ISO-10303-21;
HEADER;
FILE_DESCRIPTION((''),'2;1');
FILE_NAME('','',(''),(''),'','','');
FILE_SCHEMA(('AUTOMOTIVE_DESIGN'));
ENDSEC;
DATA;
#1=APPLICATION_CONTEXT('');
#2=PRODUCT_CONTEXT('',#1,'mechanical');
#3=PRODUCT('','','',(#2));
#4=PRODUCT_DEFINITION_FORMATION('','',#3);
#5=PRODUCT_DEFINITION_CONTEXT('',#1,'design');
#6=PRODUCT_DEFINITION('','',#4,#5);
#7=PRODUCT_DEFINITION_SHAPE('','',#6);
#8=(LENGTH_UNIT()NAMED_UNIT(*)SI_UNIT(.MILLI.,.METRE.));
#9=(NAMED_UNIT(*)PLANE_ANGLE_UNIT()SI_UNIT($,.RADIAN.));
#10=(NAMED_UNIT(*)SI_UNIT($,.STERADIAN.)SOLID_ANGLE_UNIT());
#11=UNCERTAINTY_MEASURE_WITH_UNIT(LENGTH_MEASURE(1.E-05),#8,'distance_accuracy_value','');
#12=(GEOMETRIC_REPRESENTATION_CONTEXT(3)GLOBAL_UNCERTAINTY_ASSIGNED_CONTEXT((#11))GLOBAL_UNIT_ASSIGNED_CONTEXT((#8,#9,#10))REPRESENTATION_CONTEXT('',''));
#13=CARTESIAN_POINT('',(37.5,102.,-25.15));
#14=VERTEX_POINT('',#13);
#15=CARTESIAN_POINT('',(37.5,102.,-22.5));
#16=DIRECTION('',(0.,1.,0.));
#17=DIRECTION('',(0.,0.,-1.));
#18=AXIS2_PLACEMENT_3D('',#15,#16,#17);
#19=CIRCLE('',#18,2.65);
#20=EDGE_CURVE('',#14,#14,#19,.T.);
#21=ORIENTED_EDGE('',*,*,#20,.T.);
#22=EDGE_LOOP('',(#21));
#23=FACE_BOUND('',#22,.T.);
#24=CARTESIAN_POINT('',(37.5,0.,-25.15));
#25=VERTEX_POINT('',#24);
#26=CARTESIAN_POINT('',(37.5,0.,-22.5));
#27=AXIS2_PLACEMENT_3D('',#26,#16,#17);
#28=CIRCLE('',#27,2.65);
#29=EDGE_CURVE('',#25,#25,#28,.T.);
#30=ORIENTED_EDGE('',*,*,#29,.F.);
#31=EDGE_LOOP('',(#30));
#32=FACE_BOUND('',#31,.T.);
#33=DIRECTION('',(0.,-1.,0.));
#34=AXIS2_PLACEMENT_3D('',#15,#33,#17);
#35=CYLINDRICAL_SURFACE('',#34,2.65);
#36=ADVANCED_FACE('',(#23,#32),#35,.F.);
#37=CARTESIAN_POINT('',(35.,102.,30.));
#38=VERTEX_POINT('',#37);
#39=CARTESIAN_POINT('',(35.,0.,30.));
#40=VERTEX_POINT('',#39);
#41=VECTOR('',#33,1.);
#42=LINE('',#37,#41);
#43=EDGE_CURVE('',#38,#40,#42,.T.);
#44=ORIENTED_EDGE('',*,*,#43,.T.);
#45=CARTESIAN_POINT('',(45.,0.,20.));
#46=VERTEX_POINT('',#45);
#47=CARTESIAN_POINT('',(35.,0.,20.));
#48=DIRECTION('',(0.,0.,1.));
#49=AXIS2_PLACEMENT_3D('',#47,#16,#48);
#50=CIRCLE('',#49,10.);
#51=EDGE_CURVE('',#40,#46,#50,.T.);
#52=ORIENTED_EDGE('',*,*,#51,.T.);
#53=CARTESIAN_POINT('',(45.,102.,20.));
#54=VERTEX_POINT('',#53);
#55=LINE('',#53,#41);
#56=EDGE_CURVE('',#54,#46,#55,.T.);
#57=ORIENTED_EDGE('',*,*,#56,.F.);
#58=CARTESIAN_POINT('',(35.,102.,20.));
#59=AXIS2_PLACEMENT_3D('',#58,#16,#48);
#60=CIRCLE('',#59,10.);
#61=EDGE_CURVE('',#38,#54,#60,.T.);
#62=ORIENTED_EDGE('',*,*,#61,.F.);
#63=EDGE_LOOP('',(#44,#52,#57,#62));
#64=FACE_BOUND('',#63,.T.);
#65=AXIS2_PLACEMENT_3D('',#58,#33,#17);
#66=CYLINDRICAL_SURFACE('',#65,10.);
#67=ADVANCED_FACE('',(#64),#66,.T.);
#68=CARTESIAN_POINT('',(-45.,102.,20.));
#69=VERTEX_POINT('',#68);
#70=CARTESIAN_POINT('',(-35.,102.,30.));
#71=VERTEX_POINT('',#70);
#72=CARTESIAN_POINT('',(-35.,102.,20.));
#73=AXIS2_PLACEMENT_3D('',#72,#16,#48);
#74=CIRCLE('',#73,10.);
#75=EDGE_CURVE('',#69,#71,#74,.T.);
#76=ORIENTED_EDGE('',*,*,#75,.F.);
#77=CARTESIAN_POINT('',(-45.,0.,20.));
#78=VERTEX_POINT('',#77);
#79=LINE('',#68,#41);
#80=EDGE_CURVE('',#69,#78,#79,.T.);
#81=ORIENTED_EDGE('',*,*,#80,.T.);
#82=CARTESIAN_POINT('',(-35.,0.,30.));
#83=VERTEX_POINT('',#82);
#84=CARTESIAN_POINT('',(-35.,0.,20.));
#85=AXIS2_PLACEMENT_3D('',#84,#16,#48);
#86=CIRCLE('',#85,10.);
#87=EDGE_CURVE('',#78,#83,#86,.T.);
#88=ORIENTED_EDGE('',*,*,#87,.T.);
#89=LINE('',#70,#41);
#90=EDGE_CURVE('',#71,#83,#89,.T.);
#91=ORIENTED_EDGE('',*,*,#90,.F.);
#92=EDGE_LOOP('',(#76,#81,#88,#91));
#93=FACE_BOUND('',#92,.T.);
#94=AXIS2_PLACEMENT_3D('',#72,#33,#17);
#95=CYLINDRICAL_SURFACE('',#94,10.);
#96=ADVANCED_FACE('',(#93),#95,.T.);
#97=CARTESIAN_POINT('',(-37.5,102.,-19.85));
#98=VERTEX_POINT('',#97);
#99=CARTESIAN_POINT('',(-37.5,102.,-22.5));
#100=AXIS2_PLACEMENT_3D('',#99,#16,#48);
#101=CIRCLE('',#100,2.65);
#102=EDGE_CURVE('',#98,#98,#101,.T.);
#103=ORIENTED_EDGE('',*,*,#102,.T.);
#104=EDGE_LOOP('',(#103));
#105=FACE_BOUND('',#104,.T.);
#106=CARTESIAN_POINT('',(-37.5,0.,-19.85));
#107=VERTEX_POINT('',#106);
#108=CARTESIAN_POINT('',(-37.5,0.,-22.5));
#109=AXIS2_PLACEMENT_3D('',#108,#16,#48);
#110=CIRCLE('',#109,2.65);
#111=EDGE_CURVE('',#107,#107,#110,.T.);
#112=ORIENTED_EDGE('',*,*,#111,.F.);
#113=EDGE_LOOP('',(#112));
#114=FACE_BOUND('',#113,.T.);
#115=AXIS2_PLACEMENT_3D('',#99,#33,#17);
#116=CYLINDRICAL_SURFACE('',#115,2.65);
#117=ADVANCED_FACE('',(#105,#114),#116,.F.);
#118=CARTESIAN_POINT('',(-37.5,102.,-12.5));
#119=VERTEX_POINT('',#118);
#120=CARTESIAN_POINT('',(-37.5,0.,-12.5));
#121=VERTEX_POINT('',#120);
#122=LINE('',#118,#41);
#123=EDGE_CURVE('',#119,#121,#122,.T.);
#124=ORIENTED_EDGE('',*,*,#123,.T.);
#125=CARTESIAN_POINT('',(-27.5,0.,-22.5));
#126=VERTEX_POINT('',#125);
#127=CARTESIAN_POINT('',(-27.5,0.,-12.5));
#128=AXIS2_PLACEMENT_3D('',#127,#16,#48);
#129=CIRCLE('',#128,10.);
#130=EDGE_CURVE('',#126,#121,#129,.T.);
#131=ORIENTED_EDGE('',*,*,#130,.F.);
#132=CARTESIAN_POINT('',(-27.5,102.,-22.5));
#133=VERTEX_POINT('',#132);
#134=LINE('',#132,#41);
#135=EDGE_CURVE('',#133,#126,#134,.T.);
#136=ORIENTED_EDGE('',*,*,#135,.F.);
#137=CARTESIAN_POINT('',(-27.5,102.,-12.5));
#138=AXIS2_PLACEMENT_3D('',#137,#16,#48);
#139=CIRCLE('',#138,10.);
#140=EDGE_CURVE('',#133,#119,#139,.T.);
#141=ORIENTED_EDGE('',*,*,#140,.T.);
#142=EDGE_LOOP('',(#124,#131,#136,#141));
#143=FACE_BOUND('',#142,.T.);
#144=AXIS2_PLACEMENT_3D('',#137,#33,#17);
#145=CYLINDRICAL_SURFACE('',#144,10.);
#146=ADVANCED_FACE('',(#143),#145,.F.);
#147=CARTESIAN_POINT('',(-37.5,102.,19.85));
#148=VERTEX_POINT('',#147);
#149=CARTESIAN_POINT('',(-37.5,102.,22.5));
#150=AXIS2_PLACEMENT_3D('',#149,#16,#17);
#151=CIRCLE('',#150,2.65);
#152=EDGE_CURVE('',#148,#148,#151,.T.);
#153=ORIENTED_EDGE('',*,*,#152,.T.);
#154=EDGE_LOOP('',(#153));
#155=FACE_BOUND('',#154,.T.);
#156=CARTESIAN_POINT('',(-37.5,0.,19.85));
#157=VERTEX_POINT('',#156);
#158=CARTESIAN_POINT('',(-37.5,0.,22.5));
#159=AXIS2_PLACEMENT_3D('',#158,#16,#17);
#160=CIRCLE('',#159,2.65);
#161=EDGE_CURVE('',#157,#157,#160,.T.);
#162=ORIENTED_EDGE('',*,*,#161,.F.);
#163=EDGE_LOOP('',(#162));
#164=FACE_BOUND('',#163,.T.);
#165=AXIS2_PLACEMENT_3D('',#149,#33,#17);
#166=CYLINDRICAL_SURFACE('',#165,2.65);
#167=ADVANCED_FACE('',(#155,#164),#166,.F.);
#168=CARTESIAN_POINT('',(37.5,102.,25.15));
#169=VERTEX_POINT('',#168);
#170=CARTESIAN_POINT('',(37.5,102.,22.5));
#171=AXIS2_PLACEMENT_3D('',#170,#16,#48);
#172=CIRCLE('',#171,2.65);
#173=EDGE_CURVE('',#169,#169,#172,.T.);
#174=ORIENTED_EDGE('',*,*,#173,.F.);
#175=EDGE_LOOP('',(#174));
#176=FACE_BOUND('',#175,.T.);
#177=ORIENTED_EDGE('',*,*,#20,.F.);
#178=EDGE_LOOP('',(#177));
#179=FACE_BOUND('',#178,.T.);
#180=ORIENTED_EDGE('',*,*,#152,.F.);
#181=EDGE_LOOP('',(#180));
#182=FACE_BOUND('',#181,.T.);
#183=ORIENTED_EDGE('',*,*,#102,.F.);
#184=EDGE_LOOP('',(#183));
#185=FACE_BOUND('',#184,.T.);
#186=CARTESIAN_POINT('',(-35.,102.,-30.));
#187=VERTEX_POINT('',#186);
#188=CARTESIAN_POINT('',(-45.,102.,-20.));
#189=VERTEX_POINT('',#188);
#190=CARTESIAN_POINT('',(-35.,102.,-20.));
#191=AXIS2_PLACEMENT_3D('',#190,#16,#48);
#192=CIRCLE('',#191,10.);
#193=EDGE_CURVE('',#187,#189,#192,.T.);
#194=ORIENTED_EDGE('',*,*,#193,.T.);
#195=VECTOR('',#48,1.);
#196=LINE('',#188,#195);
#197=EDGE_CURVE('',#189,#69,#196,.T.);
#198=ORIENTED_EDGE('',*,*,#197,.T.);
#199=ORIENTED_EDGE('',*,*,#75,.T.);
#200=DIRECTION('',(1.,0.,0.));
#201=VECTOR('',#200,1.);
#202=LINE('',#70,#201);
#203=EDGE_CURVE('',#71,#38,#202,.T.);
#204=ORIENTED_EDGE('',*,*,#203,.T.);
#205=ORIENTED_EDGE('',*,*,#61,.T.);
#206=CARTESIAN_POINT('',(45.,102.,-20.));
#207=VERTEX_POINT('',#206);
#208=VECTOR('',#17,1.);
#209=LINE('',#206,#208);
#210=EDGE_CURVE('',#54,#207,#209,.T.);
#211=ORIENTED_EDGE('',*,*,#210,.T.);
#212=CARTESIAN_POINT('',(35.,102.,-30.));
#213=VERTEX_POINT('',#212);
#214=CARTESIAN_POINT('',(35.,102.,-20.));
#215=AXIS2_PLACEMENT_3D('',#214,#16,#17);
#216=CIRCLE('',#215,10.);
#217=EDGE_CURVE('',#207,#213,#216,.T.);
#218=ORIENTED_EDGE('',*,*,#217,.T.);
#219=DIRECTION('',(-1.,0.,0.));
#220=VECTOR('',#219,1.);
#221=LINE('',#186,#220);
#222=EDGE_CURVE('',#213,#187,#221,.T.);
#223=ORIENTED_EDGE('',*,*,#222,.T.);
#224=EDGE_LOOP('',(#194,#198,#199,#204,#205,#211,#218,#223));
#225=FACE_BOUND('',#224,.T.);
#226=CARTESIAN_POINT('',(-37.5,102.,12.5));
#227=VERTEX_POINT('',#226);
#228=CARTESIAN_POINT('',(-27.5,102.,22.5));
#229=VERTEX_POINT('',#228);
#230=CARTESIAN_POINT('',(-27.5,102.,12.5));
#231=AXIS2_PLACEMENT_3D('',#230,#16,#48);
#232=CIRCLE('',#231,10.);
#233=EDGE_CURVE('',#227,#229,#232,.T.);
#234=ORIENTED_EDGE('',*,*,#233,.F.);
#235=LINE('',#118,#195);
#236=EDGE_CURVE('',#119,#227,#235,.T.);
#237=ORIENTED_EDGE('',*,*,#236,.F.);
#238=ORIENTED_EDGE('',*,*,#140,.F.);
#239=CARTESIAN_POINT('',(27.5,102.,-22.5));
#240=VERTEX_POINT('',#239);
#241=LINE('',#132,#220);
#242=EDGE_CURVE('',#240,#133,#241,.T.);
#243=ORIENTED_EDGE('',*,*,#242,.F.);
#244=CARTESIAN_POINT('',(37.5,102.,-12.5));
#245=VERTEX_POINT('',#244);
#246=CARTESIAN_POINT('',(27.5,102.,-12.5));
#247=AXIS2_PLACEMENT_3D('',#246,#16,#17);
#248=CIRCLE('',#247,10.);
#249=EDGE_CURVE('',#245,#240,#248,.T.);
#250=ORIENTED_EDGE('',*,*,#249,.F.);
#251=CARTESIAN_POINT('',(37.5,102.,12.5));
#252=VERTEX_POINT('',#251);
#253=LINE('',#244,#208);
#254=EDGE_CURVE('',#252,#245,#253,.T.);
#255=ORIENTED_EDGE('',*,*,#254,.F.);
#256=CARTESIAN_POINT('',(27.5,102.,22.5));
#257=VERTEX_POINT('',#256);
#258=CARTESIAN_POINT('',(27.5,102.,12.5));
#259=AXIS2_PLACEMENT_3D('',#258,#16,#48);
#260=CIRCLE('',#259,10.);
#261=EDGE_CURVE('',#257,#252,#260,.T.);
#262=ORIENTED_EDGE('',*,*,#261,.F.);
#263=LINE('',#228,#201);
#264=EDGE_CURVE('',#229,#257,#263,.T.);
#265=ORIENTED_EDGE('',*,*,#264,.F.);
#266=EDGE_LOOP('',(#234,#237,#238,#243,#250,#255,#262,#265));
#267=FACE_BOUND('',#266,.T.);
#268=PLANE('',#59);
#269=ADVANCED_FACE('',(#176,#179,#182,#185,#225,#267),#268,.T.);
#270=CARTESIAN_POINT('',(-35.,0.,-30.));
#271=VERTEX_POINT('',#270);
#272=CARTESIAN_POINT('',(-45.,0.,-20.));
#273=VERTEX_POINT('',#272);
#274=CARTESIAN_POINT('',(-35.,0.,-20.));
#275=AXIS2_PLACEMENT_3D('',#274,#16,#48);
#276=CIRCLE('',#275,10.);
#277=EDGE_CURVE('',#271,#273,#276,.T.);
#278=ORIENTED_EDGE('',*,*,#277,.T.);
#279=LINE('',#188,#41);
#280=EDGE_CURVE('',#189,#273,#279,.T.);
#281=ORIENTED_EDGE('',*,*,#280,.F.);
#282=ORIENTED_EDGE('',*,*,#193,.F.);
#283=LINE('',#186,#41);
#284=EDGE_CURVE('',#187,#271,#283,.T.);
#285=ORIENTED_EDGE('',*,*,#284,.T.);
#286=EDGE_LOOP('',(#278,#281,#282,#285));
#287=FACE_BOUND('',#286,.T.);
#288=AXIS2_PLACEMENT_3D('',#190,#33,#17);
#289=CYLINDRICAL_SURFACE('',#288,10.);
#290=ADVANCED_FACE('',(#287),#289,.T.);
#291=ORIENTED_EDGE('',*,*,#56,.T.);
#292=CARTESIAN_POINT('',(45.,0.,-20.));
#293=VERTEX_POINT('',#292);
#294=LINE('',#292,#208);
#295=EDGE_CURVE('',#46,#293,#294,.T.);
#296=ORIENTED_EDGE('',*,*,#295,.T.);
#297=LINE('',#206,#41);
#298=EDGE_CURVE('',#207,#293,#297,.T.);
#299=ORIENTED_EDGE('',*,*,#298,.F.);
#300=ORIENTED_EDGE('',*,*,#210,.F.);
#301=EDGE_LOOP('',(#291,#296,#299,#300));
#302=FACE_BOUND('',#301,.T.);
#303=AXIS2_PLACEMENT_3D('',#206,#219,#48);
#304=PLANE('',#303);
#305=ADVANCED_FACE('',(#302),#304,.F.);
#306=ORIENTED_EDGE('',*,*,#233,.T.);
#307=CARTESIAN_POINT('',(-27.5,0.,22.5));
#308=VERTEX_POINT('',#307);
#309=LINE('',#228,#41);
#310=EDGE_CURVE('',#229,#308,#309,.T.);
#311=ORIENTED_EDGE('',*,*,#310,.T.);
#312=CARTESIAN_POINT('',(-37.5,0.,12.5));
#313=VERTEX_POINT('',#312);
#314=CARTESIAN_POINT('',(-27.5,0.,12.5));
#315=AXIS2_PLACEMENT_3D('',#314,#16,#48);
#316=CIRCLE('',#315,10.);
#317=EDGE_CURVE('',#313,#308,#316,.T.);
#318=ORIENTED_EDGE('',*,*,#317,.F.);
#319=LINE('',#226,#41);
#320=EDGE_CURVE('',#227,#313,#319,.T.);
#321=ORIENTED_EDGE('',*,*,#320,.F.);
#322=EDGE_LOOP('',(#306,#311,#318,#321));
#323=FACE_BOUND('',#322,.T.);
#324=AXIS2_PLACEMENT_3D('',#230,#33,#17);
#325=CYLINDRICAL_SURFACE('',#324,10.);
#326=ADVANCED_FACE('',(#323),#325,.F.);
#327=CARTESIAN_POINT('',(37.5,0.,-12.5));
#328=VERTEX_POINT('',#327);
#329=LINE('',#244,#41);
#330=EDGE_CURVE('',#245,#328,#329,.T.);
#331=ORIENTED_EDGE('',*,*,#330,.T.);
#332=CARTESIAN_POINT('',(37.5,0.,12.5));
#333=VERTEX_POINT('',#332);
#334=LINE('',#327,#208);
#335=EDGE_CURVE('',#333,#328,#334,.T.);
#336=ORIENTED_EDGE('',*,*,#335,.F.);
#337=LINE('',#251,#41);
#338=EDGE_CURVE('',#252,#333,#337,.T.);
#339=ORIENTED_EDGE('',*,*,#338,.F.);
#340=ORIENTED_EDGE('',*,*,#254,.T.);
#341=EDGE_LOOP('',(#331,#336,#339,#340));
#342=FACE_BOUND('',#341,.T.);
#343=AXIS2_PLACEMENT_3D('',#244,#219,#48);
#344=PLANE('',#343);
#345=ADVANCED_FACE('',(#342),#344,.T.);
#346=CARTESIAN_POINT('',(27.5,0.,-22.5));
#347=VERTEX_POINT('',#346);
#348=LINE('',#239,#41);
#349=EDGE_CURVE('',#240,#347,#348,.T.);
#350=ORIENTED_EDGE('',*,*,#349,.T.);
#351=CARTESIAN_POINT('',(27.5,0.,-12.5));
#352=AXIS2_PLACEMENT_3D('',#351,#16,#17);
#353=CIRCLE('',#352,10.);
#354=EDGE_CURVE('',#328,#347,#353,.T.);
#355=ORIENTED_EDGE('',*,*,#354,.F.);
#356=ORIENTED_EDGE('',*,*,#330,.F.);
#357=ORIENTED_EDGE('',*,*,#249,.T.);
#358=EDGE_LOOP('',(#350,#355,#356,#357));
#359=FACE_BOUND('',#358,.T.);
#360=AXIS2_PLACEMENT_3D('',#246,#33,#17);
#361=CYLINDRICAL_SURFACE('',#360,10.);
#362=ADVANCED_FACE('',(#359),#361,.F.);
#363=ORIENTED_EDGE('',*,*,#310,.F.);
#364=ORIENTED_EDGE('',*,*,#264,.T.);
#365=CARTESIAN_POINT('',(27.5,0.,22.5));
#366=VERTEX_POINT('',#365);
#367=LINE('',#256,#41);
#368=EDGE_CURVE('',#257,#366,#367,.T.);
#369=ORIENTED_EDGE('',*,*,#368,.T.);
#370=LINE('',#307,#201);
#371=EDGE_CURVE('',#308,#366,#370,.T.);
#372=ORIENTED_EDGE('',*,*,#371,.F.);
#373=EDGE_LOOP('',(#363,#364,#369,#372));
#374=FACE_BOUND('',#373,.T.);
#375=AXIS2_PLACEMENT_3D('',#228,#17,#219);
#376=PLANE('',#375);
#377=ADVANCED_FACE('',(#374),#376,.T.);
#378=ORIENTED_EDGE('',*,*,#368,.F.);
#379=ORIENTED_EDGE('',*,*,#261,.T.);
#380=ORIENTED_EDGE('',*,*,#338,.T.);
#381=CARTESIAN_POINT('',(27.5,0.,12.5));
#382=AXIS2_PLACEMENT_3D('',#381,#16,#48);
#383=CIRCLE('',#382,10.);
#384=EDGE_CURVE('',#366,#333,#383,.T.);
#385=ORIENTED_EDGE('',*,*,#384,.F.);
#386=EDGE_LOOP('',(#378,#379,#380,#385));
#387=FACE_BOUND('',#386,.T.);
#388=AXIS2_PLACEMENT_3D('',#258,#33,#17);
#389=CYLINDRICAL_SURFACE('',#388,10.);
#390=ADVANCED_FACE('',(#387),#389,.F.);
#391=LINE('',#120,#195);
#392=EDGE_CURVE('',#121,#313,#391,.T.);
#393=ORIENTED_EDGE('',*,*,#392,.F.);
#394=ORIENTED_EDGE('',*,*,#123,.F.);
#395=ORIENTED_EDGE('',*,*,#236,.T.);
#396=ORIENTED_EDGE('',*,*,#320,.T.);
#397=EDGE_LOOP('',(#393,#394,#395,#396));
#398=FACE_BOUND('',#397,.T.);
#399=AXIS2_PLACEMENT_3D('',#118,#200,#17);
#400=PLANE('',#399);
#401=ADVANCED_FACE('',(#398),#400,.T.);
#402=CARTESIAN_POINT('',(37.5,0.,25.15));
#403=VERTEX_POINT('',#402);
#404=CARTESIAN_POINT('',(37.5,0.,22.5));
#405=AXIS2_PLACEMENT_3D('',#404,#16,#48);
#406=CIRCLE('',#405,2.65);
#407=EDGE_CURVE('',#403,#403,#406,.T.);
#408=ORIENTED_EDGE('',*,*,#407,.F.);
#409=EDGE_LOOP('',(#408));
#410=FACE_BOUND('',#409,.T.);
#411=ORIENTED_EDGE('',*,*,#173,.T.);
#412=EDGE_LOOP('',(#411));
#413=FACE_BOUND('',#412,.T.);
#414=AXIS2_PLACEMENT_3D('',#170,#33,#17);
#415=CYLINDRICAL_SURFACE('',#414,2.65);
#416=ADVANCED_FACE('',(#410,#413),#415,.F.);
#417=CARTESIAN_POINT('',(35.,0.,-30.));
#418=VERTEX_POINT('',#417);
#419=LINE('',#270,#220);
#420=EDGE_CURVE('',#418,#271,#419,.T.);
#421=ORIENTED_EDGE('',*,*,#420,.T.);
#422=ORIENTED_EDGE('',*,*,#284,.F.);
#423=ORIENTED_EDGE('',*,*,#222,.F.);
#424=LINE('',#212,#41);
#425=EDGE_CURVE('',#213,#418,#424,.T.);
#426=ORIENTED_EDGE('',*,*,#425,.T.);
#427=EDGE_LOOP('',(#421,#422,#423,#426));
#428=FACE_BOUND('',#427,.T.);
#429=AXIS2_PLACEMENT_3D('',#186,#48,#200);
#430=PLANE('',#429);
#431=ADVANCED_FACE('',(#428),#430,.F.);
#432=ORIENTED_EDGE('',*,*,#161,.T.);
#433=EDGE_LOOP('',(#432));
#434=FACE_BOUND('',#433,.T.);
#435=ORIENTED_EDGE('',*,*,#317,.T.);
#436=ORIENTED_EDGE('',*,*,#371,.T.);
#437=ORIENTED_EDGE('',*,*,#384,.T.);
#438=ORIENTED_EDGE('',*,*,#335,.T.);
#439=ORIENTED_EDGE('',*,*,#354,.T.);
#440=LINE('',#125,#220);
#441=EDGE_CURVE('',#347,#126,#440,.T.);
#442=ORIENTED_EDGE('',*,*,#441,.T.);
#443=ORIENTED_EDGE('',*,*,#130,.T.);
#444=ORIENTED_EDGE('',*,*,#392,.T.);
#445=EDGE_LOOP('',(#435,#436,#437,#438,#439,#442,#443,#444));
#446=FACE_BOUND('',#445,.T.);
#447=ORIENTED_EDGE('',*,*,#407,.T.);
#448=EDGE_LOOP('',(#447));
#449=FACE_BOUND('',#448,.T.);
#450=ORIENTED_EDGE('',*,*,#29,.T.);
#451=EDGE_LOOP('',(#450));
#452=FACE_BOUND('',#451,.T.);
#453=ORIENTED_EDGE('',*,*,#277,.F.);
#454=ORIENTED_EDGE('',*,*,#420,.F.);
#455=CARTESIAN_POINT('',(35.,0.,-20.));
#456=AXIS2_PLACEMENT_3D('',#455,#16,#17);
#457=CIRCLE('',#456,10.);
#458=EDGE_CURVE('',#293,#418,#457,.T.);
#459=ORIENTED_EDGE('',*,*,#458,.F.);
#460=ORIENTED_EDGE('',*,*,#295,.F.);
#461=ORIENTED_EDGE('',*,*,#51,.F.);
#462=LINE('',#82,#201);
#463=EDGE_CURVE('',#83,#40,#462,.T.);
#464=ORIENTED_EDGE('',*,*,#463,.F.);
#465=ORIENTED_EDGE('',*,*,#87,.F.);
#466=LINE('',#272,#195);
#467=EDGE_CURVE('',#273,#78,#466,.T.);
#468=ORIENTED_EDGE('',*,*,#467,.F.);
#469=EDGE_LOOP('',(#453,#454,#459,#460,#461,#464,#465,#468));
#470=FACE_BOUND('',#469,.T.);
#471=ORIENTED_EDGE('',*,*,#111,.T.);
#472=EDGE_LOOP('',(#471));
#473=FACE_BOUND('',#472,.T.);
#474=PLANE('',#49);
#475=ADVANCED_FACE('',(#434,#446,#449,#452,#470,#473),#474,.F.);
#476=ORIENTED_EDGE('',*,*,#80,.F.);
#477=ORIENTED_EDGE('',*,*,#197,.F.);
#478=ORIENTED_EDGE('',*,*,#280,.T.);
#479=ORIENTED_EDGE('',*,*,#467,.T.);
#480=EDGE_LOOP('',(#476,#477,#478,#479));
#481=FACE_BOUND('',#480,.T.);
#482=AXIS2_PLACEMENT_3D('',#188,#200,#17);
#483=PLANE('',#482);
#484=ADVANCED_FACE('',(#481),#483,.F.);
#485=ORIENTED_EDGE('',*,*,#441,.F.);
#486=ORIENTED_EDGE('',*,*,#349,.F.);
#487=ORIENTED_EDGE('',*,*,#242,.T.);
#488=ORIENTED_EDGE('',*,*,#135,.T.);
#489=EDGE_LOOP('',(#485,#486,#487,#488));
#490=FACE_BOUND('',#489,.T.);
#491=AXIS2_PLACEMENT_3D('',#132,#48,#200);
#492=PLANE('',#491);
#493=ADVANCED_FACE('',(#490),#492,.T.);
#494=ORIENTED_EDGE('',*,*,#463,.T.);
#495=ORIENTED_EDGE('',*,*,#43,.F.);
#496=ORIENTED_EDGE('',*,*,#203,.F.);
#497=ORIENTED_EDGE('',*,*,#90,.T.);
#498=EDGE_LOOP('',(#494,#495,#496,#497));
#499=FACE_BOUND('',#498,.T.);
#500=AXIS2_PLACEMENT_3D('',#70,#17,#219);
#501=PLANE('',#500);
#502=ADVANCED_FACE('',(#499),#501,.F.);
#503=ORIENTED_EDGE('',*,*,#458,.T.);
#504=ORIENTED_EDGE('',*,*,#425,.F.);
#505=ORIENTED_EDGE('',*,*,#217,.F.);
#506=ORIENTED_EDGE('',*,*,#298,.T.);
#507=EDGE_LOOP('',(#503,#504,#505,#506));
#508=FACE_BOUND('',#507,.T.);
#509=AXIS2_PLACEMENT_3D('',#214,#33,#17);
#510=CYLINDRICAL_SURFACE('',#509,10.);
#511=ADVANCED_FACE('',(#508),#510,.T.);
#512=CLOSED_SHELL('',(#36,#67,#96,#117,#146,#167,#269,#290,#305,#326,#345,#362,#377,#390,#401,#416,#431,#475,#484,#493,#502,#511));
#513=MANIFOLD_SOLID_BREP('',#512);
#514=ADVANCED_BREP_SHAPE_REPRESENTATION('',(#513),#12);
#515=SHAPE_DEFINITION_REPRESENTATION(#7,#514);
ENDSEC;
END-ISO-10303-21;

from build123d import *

# Parameters (mm, degrees)
SKETCH_1_R      = 2.65
EXTRUDE_1_DEPTH = 102


with BuildPart() as part:
    # 草图1 → 凸台-拉伸1 (new body)
    with BuildSketch(Plane(origin=(0, 0, 0), x_dir=(1, 0, 0), z_dir=(0, 1, 0))):
        with BuildLine():
            Line((-35, 30), (35, 30))
            ThreePointArc((35, 30), (42.071067812, 27.071067812), (45, 20))
            Line((45, 20), (45, -20))
            ThreePointArc((45, -20), (42.071067812, -27.071067812), (35, -30))
            Line((35, -30), (-35, -30))
            ThreePointArc((-35, -30), (-42.071067812, -27.071067812), (-45, -20))
            Line((-45, -20), (-45, 20))
            ThreePointArc((-45, 20), (-42.071067812, 27.071067812), (-35, 30))
        make_face()
        with Locations(Location((-37.5, 22.5, 0), (0, 0, 270))):
            Circle(SKETCH_1_R, mode=Mode.SUBTRACT)
        with Locations(Location((37.5, 22.5, 0), (0, 0, 90))):
            Circle(SKETCH_1_R, mode=Mode.SUBTRACT)
        with Locations(Location((37.5, -22.5, 0), (0, 0, 270))):
            Circle(SKETCH_1_R, mode=Mode.SUBTRACT)
        with Locations(Location((-37.5, -22.5, 0), (0, 0, 90))):
            Circle(SKETCH_1_R, mode=Mode.SUBTRACT)
        with BuildLine():
            Line((-27.5, 22.5), (27.5, 22.5))
            ThreePointArc((27.5, 22.5), (34.571067812, 19.571067812), (37.5, 12.5))
            Line((37.5, 12.5), (37.5, -12.5))
            ThreePointArc((37.5, -12.5), (34.571067812, -19.571067812), (27.5, -22.5))
            Line((27.5, -22.5), (-27.5, -22.5))
            ThreePointArc((-27.5, -22.5), (-34.571067812, -19.571067812), (-37.5, -12.5))
            Line((-37.5, -12.5), (-37.5, 12.5))
            ThreePointArc((-37.5, 12.5), (-34.571067812, 19.571067812), (-27.5, 22.5))
        make_face(mode=Mode.SUBTRACT)
    extrude(amount=EXTRUDE_1_DEPTH)


solid = part.part
